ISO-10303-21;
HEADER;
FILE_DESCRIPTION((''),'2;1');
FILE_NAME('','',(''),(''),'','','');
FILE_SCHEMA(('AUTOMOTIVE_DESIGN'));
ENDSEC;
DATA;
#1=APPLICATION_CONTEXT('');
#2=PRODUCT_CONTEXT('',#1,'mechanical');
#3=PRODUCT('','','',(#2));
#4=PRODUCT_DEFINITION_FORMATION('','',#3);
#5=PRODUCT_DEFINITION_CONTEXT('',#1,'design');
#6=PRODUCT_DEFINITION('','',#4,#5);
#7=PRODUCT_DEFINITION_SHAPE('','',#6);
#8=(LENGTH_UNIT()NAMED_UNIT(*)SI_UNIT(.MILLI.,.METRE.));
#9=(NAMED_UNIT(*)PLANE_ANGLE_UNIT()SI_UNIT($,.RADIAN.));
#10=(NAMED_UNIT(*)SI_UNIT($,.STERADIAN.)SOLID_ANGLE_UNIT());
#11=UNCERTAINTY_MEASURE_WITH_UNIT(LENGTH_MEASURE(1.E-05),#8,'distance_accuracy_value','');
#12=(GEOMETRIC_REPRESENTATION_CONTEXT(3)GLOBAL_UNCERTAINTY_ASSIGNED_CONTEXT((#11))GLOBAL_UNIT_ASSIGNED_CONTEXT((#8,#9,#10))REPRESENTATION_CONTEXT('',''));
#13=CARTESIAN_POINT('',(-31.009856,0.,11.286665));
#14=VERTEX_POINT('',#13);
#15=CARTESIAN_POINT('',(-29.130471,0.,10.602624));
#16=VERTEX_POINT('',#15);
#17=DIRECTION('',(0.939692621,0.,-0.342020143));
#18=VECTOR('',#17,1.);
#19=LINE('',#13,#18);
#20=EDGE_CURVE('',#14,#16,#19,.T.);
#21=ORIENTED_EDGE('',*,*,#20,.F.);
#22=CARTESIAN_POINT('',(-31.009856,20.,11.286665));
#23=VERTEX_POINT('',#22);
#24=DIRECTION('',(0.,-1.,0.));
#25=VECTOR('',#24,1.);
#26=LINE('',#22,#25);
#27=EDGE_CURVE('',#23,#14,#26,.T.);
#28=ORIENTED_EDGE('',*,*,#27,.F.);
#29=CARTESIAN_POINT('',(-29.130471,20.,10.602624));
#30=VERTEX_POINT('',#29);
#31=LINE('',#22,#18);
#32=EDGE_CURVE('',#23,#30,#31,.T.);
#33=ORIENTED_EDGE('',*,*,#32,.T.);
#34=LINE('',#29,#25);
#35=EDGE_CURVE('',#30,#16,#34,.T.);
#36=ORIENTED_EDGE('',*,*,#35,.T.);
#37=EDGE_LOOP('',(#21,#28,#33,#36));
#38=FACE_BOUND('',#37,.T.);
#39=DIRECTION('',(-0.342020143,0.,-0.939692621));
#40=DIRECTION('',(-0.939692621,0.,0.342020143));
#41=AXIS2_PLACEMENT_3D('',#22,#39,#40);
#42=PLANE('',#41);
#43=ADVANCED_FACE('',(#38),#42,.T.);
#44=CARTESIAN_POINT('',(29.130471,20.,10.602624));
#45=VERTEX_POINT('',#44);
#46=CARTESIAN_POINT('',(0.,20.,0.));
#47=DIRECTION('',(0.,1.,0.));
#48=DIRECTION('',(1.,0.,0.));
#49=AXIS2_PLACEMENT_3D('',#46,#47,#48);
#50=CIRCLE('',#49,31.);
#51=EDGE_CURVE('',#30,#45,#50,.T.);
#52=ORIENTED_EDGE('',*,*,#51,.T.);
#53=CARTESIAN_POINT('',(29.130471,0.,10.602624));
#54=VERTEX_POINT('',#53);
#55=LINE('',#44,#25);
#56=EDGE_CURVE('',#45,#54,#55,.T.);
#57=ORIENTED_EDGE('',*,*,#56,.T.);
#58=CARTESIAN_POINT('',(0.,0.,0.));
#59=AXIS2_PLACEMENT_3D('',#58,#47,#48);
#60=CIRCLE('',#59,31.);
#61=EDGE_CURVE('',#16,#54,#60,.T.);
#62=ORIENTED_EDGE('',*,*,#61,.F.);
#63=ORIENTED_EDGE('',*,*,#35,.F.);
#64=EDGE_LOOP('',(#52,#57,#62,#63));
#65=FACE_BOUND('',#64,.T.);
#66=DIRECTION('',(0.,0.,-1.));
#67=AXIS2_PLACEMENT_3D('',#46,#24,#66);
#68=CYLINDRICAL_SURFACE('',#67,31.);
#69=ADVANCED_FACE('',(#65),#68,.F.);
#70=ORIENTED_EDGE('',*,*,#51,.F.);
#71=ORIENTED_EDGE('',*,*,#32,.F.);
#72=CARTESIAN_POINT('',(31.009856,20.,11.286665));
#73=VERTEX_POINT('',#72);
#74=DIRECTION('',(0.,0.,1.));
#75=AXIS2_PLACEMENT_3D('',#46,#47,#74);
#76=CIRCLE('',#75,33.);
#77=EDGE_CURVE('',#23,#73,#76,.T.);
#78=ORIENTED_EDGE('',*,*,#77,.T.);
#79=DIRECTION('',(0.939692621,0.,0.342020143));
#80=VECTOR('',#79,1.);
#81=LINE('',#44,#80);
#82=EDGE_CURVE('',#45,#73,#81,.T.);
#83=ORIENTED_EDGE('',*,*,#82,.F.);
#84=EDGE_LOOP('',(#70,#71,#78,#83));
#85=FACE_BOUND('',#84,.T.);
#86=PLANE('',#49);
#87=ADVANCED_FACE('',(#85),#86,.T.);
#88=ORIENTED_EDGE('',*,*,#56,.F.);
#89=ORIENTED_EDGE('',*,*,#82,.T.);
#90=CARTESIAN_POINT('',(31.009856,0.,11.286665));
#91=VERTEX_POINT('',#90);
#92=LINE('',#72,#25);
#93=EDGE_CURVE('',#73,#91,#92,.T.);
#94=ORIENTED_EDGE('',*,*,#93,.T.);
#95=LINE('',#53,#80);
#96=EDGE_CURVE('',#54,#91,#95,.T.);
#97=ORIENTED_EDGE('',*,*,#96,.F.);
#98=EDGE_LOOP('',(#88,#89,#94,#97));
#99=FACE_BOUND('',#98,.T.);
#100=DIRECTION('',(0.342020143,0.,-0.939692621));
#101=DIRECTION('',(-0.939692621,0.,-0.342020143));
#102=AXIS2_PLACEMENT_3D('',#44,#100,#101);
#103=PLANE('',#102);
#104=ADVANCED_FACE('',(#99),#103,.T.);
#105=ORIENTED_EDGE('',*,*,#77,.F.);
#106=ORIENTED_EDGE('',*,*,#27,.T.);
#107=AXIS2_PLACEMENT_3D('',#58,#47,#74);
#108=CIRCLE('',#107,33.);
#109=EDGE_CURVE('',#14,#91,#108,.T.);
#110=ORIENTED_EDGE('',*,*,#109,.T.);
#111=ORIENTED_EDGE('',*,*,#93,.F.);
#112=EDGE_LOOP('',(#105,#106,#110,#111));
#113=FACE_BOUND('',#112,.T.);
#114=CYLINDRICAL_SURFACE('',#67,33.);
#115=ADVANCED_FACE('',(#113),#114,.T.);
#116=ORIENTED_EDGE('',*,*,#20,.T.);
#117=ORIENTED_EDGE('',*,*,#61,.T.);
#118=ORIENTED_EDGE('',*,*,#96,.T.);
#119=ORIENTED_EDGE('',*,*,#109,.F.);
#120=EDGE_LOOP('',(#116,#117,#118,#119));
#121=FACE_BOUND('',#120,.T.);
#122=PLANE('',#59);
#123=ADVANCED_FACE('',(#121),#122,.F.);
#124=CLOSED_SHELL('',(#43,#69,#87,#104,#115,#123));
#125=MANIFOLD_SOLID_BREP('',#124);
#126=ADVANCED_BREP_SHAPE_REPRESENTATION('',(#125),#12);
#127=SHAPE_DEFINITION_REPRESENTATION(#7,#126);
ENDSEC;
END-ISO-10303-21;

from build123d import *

# Parameters (mm, degrees)
EXTRUDE_THIN1_DEPTH = 20


with BuildPart() as part:
    # Sketch1 → Extrude-Thin1 (new body)
    with BuildSketch(Plane(origin=(0, 0, 0), x_dir=(1, 0, 0), z_dir=(0, 1, 0))):
        with BuildLine():
            ThreePointArc((-31.009856486, -11.28666473), (0, -33), (31.009856486, -11.28666473))
            Line((31.009856486, -11.28666473), (29.130471244, -10.602624443))
            ThreePointArc((29.130471244, -10.602624443), (0, -31), (-29.130471244, -10.602624443))
            Line((-29.130471244, -10.602624443), (-31.009856486, -11.28666473))
        make_face()
    extrude(amount=EXTRUDE_THIN1_DEPTH)


solid = part.part
